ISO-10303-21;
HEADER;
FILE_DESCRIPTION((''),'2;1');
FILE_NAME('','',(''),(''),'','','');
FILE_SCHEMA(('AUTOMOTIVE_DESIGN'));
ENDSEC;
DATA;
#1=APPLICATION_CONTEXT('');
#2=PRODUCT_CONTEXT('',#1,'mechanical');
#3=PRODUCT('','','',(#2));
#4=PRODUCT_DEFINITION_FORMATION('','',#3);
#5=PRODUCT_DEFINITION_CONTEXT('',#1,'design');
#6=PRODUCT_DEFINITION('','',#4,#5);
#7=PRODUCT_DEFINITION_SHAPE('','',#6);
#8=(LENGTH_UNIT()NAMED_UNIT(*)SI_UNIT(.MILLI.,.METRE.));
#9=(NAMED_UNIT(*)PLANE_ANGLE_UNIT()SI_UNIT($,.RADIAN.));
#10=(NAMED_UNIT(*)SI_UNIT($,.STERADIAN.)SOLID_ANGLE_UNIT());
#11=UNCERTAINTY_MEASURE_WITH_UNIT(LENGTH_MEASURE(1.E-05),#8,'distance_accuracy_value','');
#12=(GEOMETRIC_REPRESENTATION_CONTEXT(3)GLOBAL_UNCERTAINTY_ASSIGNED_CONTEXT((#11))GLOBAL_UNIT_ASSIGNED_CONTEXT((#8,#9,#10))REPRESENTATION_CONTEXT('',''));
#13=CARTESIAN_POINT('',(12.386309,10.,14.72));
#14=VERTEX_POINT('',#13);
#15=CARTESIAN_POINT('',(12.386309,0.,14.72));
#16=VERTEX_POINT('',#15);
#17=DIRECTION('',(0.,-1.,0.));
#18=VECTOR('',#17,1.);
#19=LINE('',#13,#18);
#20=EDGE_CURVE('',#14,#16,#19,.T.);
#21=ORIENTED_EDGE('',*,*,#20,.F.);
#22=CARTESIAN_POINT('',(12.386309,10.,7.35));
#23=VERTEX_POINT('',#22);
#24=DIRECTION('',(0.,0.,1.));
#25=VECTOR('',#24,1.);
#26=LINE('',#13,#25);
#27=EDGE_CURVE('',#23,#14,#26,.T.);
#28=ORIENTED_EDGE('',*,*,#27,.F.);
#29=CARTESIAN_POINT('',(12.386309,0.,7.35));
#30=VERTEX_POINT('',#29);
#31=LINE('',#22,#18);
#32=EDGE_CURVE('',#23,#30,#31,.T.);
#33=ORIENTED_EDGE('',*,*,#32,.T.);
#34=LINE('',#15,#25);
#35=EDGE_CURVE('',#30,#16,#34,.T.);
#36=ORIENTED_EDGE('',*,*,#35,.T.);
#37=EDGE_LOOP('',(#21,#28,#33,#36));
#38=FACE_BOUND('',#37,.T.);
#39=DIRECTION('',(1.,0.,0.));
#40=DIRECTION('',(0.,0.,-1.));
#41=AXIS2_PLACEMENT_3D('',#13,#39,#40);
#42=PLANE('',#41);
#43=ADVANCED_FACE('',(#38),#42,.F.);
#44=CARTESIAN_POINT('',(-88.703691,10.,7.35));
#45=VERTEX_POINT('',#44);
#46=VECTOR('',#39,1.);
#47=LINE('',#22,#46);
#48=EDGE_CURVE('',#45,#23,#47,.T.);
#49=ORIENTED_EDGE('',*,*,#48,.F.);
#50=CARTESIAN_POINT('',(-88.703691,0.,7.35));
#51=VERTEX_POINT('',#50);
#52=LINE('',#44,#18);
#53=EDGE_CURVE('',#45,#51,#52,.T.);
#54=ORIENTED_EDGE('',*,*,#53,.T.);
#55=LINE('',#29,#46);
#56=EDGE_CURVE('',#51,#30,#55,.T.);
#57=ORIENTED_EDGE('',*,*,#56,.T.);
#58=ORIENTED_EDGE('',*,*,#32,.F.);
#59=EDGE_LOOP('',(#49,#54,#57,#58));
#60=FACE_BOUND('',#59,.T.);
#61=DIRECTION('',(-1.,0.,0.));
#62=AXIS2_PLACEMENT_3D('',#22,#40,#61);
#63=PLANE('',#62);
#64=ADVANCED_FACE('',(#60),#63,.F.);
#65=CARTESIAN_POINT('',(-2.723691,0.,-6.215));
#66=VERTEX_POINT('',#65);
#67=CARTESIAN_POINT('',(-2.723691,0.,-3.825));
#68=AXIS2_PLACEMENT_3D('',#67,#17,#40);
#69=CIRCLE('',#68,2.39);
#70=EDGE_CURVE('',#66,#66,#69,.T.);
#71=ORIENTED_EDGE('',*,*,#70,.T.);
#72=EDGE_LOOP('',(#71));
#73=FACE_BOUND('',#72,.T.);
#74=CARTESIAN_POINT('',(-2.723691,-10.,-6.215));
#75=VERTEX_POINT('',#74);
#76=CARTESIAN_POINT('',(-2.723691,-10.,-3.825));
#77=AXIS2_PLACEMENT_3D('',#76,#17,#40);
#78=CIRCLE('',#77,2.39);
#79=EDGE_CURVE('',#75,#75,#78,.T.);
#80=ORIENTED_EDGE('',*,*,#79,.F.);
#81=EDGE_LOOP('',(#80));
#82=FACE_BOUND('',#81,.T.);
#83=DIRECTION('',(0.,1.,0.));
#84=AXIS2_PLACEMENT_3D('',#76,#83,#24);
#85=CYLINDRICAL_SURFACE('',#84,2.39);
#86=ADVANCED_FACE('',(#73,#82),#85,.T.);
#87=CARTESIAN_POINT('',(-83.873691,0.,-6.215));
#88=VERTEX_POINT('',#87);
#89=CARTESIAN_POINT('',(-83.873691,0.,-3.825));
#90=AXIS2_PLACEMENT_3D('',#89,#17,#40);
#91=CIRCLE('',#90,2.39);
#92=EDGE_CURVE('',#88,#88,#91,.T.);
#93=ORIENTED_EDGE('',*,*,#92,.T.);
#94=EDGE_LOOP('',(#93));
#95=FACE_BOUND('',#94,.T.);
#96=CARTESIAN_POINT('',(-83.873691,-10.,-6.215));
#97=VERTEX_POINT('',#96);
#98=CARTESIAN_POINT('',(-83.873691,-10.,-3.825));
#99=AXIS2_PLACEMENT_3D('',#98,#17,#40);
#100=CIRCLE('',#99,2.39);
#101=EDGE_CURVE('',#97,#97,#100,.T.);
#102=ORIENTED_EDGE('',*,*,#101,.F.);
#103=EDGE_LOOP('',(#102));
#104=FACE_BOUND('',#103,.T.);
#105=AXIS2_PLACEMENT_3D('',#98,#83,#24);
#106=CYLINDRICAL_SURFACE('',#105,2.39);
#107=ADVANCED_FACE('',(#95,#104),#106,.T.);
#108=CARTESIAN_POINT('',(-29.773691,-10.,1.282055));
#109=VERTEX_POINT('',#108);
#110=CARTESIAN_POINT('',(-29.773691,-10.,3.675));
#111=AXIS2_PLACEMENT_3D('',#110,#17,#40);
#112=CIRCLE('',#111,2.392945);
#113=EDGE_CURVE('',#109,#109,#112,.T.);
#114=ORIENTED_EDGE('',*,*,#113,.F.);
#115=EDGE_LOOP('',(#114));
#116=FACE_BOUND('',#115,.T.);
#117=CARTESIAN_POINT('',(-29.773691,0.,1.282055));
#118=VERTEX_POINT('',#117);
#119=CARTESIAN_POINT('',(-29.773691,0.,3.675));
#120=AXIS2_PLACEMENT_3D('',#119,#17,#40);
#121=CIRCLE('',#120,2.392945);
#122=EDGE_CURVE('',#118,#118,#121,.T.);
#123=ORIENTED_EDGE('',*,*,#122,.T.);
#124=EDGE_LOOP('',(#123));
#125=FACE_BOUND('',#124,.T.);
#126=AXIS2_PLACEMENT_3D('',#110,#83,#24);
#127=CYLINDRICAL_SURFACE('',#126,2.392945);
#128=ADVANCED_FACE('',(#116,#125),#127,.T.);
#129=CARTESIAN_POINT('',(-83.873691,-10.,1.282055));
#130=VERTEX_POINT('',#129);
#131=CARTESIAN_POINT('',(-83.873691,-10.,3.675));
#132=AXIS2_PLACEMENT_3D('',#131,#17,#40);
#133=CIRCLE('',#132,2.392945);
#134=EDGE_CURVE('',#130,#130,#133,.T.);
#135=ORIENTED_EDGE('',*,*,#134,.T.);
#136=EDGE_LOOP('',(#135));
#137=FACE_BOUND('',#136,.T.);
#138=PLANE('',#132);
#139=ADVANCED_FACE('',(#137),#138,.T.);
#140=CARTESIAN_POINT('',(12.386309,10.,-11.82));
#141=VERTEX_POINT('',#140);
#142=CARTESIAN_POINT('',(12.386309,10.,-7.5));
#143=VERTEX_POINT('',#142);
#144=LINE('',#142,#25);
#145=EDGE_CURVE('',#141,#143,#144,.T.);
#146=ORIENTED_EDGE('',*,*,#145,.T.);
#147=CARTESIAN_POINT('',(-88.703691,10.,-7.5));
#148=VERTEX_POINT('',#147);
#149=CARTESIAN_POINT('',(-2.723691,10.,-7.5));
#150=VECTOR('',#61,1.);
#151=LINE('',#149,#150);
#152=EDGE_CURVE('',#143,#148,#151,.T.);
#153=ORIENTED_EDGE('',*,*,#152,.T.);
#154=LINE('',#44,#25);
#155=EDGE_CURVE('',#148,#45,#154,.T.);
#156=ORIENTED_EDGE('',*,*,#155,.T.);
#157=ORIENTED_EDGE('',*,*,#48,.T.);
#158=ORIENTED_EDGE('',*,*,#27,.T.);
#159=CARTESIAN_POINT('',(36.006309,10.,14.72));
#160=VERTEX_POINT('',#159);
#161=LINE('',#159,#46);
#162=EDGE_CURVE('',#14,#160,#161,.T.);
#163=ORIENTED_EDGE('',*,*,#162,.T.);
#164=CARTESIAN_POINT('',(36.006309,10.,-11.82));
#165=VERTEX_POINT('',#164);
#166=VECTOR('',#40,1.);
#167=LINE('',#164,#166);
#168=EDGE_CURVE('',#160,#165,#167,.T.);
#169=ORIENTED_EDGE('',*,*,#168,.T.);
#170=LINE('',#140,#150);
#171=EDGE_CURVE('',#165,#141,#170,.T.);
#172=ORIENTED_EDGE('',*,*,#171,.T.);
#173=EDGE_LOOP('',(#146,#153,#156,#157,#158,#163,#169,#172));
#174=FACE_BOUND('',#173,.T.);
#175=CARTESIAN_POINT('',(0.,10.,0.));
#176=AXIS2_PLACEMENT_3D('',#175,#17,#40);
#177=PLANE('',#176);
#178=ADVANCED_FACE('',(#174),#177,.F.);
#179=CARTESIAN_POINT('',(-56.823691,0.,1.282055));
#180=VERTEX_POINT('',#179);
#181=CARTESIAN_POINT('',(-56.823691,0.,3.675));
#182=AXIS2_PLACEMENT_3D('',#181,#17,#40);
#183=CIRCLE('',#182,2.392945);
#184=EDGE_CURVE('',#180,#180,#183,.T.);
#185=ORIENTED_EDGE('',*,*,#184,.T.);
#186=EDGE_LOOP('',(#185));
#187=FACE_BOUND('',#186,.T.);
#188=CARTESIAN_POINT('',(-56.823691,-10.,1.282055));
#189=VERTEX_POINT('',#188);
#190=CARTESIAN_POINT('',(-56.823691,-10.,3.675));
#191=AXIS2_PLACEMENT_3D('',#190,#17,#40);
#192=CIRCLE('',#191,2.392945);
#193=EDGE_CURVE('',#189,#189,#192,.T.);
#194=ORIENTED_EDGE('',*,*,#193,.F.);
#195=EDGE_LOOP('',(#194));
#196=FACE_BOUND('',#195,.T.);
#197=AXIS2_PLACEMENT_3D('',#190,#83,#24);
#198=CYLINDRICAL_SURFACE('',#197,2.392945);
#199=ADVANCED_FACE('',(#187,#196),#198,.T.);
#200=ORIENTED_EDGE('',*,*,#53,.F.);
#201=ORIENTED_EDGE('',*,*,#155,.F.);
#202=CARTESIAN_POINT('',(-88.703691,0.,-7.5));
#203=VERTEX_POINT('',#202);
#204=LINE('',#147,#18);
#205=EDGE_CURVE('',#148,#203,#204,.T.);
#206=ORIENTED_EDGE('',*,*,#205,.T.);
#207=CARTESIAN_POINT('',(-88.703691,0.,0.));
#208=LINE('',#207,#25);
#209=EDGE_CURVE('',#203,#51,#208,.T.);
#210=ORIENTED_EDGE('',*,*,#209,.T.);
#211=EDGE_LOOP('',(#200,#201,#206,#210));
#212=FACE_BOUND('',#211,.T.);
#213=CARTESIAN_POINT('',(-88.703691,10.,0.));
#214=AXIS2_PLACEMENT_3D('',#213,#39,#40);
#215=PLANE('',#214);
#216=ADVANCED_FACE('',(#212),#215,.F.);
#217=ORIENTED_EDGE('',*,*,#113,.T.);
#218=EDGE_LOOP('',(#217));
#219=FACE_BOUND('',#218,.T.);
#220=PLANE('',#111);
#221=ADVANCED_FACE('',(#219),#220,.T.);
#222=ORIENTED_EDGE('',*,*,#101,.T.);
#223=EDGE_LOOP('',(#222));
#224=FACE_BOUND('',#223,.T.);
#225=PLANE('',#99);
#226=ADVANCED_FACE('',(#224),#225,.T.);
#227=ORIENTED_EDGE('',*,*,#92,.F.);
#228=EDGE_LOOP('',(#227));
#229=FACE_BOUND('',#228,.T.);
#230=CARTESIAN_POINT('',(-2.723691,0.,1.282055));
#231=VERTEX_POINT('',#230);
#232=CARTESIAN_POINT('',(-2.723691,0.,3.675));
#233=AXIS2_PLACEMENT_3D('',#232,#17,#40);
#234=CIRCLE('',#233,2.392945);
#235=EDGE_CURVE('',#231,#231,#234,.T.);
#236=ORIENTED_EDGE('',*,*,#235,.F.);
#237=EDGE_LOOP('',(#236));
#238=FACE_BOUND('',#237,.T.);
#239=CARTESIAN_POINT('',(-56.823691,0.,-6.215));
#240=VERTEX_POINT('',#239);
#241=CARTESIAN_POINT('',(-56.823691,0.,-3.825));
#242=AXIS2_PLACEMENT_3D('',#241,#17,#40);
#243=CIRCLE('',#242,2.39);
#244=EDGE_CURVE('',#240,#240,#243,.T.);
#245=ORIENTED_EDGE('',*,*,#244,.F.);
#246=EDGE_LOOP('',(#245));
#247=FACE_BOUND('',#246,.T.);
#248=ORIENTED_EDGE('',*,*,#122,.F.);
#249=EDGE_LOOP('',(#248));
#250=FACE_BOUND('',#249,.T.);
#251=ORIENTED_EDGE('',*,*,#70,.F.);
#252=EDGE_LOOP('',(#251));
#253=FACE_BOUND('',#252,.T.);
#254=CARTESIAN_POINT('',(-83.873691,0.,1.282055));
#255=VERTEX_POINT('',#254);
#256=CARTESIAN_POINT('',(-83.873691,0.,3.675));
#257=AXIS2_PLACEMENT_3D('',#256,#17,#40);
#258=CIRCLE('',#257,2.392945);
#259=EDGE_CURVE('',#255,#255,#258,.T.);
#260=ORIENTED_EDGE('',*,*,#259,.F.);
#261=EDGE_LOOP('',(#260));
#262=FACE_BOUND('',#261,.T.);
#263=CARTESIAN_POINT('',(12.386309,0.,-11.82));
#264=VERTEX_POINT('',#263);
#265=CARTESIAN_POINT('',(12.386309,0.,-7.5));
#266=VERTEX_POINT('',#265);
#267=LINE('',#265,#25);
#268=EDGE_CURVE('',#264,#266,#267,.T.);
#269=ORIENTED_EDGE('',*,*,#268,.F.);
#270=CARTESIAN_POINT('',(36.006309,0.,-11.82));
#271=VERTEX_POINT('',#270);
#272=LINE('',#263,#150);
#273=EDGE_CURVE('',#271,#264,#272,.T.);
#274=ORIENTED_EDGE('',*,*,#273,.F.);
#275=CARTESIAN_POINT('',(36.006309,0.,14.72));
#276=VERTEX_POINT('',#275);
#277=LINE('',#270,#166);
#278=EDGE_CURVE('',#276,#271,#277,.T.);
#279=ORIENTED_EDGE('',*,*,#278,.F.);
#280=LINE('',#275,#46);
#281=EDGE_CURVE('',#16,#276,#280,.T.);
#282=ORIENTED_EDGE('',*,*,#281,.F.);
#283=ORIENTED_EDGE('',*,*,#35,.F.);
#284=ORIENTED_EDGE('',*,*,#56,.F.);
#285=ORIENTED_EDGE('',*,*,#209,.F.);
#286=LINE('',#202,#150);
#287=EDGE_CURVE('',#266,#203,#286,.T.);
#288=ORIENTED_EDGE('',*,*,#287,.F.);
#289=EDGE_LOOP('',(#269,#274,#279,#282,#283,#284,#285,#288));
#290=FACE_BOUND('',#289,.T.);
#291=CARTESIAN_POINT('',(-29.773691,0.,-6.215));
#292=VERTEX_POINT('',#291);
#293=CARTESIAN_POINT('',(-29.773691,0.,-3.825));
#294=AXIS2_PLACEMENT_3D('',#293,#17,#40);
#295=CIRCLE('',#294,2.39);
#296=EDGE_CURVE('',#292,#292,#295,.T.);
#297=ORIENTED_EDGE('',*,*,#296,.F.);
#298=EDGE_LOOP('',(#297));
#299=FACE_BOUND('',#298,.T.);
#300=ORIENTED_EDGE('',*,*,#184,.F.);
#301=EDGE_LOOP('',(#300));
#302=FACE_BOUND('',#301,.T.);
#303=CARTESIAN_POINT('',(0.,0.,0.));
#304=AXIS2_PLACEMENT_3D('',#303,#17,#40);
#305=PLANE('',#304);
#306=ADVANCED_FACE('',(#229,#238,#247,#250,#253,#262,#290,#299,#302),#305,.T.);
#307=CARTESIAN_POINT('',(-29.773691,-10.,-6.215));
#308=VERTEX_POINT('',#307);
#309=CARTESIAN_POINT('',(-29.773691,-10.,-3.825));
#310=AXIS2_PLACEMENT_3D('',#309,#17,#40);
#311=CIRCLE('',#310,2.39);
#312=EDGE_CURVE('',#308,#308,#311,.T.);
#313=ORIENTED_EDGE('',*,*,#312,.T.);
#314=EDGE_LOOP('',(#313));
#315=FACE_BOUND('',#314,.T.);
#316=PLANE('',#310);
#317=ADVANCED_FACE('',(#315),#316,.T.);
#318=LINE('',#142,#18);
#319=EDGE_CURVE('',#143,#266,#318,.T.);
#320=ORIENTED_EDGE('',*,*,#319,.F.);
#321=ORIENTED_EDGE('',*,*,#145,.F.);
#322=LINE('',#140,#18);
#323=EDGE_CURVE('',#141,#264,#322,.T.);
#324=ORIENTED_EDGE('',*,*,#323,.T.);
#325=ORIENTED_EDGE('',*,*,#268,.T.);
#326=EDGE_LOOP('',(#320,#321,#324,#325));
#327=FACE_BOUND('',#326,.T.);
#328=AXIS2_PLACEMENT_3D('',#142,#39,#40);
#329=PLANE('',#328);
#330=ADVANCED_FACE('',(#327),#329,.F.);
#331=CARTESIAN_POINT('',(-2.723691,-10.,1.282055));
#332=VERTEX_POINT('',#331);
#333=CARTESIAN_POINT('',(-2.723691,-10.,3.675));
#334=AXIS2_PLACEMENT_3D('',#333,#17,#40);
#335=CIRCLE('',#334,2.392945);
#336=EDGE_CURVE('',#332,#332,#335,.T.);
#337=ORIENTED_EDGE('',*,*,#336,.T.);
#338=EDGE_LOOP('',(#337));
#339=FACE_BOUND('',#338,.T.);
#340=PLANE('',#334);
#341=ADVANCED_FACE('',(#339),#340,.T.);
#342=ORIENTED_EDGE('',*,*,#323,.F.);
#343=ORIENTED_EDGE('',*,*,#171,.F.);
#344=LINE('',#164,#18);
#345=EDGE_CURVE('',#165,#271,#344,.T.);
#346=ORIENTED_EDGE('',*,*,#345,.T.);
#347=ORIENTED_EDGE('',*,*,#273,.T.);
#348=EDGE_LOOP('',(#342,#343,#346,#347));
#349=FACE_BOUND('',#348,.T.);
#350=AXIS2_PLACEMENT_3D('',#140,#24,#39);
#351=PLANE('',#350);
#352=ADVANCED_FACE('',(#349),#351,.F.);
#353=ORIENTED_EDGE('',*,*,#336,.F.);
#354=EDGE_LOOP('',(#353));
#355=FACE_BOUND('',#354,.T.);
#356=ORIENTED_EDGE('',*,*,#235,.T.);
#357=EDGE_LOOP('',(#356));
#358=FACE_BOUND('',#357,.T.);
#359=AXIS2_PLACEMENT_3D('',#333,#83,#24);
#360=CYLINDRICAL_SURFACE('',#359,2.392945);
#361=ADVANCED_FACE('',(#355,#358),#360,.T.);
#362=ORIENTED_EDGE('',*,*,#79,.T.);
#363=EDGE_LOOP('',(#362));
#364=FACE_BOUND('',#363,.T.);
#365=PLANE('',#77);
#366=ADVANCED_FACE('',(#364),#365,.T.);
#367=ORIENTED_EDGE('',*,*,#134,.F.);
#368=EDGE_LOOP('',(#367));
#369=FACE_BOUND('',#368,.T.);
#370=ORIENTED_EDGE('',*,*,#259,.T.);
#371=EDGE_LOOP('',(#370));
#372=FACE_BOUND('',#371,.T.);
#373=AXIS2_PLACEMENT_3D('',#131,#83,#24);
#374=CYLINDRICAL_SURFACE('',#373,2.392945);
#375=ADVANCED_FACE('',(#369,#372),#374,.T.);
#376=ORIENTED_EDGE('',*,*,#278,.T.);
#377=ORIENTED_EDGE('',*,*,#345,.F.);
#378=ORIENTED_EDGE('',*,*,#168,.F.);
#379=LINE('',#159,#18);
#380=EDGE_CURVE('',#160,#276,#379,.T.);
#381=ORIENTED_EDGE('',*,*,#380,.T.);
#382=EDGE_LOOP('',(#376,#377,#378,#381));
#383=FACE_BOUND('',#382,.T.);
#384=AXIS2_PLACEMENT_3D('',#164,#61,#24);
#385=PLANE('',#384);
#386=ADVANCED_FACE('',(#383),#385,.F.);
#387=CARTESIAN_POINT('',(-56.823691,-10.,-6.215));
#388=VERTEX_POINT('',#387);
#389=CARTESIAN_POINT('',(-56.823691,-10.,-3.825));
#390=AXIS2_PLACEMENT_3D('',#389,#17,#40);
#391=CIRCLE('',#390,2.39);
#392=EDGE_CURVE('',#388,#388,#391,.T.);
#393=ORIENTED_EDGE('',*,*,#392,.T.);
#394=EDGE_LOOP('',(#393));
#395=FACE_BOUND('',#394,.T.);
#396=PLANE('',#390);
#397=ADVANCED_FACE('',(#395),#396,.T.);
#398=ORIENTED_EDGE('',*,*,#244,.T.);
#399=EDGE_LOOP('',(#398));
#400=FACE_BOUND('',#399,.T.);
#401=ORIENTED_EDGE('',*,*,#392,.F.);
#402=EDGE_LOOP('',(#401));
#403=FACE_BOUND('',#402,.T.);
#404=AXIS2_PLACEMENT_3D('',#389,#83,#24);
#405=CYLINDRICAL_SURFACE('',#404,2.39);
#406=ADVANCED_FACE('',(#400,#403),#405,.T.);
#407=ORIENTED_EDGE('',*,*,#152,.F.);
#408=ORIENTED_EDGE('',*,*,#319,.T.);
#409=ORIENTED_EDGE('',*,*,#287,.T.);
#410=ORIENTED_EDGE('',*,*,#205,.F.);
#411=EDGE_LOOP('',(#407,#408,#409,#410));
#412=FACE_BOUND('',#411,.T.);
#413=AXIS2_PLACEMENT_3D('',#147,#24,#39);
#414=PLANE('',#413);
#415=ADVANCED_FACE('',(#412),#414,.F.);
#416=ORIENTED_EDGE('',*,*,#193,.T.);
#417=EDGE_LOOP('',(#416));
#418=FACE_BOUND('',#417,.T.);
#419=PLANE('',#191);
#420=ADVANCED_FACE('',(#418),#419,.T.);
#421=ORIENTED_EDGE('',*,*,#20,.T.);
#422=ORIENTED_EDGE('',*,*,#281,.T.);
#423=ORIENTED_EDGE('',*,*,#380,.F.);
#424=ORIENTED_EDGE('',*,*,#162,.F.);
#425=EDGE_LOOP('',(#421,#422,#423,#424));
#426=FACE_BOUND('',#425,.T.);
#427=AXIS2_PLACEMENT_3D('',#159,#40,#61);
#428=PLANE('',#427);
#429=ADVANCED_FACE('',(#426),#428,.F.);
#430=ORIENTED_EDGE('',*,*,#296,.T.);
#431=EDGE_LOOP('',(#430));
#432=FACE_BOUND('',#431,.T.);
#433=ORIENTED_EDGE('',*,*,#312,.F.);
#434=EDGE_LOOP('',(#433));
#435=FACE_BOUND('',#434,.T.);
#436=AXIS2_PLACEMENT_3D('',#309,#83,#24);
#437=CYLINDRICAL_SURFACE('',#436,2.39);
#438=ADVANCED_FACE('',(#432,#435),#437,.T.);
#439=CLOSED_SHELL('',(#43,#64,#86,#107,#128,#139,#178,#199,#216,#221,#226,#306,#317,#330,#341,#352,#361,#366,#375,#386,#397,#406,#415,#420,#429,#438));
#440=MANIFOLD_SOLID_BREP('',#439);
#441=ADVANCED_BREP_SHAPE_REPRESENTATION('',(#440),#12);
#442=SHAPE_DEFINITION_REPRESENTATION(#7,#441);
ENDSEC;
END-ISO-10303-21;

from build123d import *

# Parameters (mm, degrees)
EXTRUDE_1_DEPTH        = 10
SKETCH_3_R             = 2.392945251
SKETCH_3_R_2           = 2.39
EXTRUDE_2_DEPTH        = 10
PATTERN_LINEAR_1_COUNT = 4
PATTERN_LINEAR_1_PITCH = 27.05


with BuildPart() as part:
    # 草图1 → 凸台-拉伸1 (new body)
    with BuildSketch(Plane(origin=(0, 0, 0), x_dir=(1, 0, 0), z_dir=(0, 1, 0))):
        Polygon((-88.703690987, 0), (-88.703690987, 7.5), (-83.873690987, 7.5), (-56.823690987, 7.5), (-29.773690987, 7.5), (-2.723690987, 7.5), (12.386309013, 7.5), (12.386309013, 11.82), (36.006309013, 11.82), (36.006309013, -14.72), (12.386309013, -14.72), (12.386309013, -7.35), (-88.703690987, -7.35), align=None)
    extrude(amount=EXTRUDE_1_DEPTH)

    # 草图3 → 凸台-拉伸2 (add)
    with BuildSketch(Plane.XZ):
        with Locations((-83.873690987, 3.675)):
            Circle(SKETCH_3_R)
        with Locations((-83.873690987, -3.825)):
            Circle(SKETCH_3_R_2)
    extrude_2 = extrude(amount=EXTRUDE_2_DEPTH)

    # 阵列(线性)1: 凸台-拉伸2 ×4
    with Locations(*[(i * PATTERN_LINEAR_1_PITCH, 0, 0) for i in range(1, PATTERN_LINEAR_1_COUNT)]):
        add(extrude_2)


solid = part.part
